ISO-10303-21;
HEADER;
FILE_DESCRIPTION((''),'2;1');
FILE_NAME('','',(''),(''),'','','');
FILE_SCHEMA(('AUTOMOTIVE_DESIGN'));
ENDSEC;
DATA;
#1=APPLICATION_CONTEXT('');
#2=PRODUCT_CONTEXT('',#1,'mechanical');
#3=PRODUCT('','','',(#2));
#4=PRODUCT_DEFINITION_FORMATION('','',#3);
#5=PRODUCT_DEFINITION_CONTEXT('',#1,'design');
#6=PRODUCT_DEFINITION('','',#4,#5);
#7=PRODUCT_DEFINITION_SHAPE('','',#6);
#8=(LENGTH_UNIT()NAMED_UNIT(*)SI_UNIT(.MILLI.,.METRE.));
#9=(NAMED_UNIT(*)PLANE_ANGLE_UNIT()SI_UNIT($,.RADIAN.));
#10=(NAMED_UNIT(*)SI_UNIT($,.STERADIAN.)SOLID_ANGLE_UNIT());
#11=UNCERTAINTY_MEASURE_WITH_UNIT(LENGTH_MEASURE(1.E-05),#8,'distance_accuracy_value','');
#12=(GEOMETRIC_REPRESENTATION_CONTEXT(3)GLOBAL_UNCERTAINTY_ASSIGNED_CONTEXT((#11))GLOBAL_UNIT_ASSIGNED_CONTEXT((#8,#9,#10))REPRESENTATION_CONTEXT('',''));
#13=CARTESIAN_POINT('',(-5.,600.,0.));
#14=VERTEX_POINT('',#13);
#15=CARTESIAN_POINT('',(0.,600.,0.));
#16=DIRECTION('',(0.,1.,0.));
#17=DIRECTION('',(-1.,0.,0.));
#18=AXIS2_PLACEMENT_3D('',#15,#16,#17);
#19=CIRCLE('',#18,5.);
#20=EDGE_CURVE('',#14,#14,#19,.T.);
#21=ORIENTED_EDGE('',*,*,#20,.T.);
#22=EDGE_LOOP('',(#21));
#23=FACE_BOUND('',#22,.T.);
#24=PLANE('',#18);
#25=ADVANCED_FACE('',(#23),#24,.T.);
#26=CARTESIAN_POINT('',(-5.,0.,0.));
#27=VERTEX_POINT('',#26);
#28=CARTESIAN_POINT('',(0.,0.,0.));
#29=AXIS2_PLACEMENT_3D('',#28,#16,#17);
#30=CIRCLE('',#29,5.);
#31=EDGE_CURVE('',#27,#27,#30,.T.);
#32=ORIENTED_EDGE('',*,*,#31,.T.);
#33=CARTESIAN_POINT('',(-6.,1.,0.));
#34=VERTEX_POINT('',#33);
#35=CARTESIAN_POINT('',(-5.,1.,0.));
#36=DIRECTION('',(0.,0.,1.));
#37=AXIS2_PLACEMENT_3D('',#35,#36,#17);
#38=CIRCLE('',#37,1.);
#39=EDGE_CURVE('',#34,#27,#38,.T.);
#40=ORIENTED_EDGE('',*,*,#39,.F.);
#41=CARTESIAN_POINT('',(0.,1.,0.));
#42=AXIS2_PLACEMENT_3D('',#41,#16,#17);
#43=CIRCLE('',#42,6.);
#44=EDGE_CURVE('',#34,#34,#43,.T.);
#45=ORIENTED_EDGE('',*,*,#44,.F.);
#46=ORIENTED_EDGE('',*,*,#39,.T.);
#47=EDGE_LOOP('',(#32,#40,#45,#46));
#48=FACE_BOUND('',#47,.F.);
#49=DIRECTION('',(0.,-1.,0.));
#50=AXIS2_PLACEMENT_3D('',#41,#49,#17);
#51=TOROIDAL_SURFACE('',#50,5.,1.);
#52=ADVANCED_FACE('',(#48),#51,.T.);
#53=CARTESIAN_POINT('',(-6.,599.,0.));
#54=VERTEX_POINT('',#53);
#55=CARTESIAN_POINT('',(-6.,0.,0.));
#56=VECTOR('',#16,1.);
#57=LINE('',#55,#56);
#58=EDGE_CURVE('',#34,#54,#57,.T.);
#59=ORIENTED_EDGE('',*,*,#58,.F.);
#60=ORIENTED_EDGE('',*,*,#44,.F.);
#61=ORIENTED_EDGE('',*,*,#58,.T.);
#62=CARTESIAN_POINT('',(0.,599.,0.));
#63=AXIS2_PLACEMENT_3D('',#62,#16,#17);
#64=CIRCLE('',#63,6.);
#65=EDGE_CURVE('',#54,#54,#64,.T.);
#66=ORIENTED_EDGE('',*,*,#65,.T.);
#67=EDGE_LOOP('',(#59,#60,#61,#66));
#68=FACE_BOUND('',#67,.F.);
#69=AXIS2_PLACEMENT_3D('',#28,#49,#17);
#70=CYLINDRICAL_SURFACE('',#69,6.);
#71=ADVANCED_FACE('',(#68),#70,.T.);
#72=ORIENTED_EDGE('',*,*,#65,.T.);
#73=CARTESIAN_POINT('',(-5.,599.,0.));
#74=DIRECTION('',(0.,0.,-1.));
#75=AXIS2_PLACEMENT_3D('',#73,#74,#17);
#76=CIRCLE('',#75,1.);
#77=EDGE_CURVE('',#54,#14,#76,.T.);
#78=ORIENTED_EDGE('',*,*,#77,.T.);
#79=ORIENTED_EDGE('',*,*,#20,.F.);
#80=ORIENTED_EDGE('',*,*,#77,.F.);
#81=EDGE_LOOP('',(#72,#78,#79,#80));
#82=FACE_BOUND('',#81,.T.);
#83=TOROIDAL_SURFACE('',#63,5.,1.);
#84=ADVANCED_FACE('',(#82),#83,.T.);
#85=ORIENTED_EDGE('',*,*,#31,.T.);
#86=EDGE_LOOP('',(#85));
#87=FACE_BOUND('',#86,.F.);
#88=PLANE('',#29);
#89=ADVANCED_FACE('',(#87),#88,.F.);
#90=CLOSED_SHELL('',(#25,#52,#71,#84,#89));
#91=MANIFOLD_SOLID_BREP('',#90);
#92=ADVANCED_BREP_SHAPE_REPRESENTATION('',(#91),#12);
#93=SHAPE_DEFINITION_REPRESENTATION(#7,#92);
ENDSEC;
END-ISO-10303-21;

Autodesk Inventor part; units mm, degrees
ref_plane "YZ Plane" through (0, 0, 0) normal (1, 0, 0) x (0, 1, 0)
ref_plane "XZ Plane" through (0, 0, 0) normal (0, 1, 0) x (-1, 0, 0)
ref_plane "XY Plane" through (0, 0, 0) normal (0, 0, 1) x (1, 0, 0)
sketch "Sketch1" plane through (0, 0, 0) normal (0, 1, 0) x (-1, 0, 0)
  circle A0 centre (0, 0) radius 6
  dimension "d0" = 12
extrude "Extrusion1" add sketch "Sketch1" along normal blind 600
fillet "Fillet1" radius 1 2 edges at (6, 0, 0) (6, 600, 0)
properties part number "poros"
